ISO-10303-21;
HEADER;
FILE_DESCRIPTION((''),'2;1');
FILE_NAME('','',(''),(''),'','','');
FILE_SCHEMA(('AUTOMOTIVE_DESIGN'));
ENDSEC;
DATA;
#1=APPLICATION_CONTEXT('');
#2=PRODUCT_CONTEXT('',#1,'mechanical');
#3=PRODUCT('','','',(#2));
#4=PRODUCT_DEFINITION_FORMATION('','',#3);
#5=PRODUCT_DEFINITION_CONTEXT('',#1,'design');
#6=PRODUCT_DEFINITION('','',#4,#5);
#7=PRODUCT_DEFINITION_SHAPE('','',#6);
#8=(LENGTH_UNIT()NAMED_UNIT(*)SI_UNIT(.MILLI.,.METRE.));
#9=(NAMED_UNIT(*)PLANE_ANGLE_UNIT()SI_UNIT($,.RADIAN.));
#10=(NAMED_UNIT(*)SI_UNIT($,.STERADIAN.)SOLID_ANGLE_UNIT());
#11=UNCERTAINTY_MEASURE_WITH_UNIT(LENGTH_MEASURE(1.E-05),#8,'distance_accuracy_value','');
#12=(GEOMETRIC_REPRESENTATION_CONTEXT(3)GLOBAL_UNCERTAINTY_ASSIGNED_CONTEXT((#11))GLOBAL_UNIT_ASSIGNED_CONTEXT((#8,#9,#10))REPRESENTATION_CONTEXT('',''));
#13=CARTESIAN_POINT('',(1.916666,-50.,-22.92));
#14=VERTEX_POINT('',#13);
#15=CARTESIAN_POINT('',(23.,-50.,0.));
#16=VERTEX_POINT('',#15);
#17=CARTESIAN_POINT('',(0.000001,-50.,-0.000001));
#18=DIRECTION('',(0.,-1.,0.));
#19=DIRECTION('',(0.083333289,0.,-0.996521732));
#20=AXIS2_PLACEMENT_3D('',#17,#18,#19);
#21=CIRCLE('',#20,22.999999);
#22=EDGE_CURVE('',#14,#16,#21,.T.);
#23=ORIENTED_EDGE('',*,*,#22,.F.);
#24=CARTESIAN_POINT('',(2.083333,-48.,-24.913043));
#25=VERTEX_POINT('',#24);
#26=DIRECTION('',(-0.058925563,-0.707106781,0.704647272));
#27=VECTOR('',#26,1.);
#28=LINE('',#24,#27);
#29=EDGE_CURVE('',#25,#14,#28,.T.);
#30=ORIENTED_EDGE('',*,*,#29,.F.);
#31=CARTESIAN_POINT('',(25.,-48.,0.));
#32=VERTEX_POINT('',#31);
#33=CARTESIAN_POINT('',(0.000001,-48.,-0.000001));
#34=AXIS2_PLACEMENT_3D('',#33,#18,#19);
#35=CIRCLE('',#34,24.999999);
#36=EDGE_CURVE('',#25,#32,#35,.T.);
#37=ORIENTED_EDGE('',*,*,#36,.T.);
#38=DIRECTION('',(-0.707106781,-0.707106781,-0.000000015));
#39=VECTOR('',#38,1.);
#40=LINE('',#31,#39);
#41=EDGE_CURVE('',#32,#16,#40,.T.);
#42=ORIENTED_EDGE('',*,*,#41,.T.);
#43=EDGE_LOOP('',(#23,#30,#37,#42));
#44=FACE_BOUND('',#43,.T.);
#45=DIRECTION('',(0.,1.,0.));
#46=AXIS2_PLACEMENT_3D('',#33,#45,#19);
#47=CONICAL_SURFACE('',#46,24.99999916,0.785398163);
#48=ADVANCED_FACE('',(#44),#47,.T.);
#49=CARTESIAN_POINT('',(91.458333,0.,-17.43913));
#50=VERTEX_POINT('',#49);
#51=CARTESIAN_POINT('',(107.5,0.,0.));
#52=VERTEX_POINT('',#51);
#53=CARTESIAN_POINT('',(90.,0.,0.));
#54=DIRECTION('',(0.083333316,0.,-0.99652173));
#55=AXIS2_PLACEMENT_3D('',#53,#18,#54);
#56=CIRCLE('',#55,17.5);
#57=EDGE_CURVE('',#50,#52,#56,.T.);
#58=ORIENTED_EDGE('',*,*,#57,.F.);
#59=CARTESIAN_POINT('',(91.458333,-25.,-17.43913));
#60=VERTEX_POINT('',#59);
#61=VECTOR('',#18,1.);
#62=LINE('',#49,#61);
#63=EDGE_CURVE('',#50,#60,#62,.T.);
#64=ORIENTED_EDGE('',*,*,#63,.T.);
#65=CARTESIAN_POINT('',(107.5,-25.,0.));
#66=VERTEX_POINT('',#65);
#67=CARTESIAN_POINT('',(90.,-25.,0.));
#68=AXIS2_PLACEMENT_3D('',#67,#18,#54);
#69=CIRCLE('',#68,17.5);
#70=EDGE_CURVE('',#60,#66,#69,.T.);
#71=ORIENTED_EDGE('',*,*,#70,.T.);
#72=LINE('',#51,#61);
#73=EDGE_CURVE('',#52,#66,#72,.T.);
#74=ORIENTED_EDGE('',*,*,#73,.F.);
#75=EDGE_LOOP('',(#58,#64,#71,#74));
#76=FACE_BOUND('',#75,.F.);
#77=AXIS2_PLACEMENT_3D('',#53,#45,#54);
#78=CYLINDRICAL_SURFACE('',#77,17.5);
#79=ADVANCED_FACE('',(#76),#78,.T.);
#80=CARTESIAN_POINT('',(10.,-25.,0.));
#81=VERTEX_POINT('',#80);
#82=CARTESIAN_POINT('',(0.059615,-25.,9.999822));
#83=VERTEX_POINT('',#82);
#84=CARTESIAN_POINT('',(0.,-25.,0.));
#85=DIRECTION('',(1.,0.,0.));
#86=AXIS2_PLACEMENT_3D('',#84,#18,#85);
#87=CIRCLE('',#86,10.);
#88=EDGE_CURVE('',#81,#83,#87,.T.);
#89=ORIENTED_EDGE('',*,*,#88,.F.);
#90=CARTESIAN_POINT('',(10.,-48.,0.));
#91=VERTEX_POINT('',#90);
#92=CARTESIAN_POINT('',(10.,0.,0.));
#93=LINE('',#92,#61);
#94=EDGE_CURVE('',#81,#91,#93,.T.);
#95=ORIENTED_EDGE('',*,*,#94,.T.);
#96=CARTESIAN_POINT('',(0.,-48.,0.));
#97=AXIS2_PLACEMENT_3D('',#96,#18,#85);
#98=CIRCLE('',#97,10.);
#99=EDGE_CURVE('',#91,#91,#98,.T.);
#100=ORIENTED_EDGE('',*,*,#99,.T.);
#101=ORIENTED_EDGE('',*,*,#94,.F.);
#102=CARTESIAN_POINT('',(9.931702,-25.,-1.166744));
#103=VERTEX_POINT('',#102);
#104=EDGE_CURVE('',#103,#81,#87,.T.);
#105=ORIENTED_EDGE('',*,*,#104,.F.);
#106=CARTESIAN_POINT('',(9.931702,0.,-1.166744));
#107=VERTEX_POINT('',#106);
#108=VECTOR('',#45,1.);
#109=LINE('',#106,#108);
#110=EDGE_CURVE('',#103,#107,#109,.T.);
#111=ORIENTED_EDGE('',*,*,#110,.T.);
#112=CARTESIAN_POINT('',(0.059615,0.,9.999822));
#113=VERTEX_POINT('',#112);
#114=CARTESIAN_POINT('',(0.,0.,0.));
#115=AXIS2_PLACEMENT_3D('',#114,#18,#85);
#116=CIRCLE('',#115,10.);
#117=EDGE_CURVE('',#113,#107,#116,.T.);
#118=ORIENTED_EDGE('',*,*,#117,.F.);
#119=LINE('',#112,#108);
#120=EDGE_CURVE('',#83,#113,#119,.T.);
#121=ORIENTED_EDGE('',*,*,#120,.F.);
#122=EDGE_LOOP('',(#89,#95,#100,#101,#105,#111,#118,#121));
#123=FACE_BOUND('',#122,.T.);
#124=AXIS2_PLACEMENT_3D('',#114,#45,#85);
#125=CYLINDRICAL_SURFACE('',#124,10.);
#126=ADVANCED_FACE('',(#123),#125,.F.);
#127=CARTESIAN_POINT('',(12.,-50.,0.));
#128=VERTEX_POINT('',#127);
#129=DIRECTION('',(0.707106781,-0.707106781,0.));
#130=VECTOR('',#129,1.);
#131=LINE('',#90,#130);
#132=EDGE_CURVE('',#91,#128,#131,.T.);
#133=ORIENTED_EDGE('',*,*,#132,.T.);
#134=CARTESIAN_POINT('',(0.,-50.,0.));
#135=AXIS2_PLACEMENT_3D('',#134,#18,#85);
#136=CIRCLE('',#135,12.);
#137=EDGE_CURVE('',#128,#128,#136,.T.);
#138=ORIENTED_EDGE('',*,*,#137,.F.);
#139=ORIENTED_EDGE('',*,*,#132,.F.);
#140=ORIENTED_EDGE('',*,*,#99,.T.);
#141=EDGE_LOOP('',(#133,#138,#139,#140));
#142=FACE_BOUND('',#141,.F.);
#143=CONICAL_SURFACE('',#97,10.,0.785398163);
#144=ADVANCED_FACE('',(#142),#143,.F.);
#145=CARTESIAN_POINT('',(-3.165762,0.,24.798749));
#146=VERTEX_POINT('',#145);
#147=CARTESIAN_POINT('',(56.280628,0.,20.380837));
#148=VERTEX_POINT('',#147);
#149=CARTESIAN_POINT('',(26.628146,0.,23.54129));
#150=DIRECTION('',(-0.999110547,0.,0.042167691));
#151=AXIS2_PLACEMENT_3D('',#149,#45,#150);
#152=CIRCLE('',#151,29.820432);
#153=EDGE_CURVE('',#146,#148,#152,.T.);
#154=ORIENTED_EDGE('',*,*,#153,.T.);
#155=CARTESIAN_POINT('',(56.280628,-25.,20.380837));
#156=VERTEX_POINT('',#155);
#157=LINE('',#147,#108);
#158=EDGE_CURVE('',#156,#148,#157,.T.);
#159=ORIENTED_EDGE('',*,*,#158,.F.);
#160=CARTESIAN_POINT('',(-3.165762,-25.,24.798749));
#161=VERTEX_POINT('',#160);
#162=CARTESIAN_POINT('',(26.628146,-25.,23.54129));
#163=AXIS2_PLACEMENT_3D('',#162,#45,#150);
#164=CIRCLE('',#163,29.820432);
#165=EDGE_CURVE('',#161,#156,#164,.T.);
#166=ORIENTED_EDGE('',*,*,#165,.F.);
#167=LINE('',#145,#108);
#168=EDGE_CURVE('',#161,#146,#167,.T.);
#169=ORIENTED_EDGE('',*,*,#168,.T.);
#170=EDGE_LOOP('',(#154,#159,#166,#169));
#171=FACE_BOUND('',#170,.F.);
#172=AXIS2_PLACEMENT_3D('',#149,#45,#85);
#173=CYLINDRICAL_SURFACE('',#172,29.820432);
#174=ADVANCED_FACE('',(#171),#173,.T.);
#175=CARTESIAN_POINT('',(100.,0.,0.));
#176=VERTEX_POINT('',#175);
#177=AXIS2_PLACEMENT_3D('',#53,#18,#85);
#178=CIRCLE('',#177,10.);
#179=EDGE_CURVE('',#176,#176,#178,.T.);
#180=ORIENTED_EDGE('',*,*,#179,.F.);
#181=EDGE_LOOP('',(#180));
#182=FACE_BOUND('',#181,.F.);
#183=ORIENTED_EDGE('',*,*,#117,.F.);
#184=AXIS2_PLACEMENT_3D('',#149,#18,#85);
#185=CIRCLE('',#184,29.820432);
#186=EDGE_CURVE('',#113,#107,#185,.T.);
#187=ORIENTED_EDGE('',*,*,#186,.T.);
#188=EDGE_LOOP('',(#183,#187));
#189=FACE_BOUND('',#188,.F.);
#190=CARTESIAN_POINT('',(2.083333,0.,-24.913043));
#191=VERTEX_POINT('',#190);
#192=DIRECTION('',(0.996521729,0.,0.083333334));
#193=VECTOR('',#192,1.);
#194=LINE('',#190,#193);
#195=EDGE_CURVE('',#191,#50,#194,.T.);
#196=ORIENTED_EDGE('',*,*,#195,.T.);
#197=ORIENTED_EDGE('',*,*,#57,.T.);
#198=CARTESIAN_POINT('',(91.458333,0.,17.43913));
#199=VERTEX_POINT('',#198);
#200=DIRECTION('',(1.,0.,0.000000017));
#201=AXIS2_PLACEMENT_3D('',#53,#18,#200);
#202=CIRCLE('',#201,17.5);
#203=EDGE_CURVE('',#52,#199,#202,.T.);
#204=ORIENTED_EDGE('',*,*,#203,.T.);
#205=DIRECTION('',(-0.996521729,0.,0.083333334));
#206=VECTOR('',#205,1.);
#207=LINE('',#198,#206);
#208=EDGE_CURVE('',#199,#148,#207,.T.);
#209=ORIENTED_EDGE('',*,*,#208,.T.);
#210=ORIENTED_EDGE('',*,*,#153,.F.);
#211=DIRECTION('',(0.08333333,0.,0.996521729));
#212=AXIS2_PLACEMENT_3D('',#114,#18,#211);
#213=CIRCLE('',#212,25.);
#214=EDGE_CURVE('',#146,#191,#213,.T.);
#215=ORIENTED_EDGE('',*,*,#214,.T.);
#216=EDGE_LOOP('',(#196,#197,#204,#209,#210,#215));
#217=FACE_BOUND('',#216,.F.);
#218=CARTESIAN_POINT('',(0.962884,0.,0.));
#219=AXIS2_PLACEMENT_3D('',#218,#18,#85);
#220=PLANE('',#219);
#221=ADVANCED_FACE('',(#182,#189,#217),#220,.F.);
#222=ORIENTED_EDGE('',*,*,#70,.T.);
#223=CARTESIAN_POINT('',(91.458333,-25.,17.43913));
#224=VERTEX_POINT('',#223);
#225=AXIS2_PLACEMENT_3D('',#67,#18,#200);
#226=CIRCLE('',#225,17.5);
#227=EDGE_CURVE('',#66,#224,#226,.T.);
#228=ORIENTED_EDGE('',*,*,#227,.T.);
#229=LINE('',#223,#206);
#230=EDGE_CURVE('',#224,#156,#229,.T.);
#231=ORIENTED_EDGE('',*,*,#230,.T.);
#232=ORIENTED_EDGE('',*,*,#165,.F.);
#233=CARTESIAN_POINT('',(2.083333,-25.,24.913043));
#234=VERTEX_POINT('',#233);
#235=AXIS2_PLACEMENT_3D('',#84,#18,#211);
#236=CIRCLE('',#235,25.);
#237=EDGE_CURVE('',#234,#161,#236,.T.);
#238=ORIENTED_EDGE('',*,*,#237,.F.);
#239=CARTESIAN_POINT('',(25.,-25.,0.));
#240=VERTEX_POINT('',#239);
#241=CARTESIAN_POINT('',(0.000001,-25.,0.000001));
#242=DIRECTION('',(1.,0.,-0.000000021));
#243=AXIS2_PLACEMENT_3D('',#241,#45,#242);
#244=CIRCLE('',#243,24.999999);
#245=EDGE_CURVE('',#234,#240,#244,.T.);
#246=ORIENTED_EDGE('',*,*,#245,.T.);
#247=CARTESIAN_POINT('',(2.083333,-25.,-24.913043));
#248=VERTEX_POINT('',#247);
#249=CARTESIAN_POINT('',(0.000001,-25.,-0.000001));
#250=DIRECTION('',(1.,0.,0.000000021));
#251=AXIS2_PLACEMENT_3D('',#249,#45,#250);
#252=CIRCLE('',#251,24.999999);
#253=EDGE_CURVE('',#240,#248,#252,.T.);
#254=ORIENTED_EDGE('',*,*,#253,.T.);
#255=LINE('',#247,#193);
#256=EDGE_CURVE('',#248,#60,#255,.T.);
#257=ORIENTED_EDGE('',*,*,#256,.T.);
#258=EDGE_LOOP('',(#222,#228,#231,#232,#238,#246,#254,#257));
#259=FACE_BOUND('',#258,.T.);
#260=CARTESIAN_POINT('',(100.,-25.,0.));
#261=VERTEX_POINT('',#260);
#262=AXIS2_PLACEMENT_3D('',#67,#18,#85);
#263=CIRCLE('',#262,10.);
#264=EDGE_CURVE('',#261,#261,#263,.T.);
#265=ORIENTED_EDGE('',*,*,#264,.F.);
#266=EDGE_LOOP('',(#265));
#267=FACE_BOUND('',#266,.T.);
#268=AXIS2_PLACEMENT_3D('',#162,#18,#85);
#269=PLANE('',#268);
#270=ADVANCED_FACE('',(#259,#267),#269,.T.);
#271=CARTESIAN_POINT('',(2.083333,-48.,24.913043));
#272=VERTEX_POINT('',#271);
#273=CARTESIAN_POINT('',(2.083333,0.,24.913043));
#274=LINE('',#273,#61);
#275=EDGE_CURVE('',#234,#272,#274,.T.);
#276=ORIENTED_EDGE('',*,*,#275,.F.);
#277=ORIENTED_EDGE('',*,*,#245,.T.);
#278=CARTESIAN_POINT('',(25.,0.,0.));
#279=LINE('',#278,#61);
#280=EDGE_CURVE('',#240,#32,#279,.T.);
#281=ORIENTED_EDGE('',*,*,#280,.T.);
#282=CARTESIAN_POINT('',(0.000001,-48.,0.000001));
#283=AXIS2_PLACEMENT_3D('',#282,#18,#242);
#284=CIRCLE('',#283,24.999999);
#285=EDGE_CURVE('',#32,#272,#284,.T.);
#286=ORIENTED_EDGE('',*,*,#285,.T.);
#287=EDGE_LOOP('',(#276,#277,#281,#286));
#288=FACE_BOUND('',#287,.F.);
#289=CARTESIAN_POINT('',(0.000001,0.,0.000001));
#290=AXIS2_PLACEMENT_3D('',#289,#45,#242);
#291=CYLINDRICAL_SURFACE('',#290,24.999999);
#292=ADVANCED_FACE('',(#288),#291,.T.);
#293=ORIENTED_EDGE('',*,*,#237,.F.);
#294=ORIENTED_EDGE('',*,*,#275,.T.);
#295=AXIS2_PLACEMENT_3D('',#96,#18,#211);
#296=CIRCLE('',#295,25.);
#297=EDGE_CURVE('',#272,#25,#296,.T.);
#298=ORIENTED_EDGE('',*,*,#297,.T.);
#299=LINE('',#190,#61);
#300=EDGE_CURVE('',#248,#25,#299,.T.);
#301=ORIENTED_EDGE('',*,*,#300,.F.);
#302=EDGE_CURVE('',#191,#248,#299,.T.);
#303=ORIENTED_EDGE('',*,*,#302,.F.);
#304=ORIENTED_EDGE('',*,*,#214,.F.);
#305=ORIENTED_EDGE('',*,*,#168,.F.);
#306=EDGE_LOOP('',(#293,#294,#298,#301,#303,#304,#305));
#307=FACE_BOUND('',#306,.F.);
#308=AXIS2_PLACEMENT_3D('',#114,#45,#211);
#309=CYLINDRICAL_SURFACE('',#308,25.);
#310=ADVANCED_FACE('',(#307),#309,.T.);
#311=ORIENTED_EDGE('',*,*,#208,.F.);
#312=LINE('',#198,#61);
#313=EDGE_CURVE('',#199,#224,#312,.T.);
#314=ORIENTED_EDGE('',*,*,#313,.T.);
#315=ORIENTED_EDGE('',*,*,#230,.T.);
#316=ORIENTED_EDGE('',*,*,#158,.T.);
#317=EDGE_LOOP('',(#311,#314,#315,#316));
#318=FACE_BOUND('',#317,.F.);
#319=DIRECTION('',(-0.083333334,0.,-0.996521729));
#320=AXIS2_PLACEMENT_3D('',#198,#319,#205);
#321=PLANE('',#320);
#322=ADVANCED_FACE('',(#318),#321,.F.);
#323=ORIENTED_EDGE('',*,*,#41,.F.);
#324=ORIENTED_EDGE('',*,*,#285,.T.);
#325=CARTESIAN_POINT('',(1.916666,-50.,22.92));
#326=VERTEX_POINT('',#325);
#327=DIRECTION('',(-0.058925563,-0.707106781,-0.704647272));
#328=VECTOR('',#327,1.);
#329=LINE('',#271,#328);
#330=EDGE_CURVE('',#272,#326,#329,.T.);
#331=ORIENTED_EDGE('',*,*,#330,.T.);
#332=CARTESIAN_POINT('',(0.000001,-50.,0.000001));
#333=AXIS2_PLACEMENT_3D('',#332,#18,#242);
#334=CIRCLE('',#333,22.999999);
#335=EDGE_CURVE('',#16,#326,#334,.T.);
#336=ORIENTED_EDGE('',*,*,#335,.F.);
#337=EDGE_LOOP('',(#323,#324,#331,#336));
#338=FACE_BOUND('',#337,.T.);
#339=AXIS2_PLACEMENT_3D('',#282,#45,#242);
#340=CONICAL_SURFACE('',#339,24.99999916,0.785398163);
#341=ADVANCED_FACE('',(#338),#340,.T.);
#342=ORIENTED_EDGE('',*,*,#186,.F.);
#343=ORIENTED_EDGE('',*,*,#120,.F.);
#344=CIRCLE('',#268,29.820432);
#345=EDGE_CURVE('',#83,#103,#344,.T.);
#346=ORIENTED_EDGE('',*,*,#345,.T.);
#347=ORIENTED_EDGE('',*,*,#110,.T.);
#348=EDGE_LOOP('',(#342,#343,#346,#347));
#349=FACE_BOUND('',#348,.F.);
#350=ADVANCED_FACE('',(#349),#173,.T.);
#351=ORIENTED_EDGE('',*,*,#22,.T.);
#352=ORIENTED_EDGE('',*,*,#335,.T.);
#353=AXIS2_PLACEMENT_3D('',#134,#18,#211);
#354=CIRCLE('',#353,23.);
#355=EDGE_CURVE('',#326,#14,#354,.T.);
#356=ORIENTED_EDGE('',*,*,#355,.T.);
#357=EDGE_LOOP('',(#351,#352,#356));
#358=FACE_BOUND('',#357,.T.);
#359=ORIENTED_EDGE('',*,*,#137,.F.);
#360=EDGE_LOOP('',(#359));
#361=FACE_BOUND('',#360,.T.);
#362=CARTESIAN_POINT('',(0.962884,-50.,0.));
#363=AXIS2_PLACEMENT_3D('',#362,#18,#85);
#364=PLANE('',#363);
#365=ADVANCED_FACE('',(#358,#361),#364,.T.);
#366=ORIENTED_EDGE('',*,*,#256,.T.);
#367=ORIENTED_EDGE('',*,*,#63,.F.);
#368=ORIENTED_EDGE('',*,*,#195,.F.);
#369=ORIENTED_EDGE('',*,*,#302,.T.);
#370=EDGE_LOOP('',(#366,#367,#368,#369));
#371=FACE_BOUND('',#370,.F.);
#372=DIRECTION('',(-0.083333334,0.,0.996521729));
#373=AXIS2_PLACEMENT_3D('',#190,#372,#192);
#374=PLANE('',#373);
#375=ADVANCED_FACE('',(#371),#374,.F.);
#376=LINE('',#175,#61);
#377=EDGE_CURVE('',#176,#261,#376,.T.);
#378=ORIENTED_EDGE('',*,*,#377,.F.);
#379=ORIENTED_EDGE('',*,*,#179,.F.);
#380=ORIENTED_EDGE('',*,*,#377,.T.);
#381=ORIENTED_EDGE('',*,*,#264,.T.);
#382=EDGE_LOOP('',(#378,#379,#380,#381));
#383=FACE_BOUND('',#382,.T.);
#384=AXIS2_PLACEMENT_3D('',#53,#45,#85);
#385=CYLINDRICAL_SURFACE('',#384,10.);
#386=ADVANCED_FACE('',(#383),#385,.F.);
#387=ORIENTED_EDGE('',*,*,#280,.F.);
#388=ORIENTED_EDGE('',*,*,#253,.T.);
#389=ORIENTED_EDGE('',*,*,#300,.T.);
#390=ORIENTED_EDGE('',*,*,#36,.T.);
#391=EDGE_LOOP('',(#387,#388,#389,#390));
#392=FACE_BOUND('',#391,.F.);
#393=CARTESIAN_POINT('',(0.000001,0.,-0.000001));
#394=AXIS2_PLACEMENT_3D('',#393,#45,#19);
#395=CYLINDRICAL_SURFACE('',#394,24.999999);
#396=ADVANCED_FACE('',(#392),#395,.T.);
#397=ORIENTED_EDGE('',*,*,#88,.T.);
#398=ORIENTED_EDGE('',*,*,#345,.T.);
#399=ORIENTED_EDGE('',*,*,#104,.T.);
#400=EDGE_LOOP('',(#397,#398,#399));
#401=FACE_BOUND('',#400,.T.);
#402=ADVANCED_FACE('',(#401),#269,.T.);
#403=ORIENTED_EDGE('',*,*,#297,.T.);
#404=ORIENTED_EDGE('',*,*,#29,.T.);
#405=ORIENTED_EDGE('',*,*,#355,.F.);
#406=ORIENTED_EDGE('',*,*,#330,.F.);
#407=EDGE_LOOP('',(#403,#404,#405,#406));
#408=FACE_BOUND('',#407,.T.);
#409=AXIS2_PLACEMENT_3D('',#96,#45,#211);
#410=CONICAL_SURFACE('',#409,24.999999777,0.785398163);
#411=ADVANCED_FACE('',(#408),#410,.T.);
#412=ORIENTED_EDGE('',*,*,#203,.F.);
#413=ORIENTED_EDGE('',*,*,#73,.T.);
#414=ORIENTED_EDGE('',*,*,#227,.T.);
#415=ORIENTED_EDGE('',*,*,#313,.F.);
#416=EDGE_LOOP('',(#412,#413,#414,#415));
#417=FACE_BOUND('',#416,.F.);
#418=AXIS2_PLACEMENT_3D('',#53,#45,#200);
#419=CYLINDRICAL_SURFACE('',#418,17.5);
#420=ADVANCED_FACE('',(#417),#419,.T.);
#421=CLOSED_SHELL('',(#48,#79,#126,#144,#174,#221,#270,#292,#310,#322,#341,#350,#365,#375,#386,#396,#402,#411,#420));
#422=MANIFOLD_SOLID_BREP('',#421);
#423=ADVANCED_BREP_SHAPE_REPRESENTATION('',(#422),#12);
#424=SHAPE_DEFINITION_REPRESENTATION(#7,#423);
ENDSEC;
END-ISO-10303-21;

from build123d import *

# Parameters (mm, degrees)
F0_R     = 10
F1_DEPTH = 25
F2_DEPTH = 50
F3_SIZE  = 2
F5_R     = 29.820432
F6_DEPTH = 25


with BuildPart() as f1:
    # F0 (on Front) → F1 (new body)
    with BuildSketch(Plane.XZ):
        with BuildLine():
            ThreePointArc((2.083333, -24.913043), (18.399502, -16.92508), (25, 0))
            ThreePointArc((25, 0), (18.399502, 16.92508), (2.083333, 24.913043))
            ThreePointArc((2.083333, 24.913043), (-25, 0), (2.083333, -24.913043))
        make_face()
        Circle(F0_R, mode=Mode.SUBTRACT)
        with BuildLine():
            ThreePointArc((2.083333, 24.913043), (18.399502, 16.92508), (25, 0))
            ThreePointArc((25, 0), (18.399502, -16.92508), (2.083333, -24.913043))
            Line((2.083333, -24.913043), (91.458333, -17.43913))
            ThreePointArc((91.458333, -17.43913), (72.5, 0), (91.458333, 17.43913))
            Line((91.458333, 17.43913), (2.083333, 24.913043))
        make_face()
        with BuildLine():
            ThreePointArc((107.5, 0), (102.879651, 11.847556), (91.458333, 17.43913))
            ThreePointArc((91.458333, 17.43913), (72.5, 0), (91.458333, -17.43913))
            ThreePointArc((91.458333, -17.43913), (102.879651, -11.847556), (107.5, 0))
        make_face()
        with Locations((90, 0)):
            Circle(F0_R, mode=Mode.SUBTRACT)
    extrude(amount=F1_DEPTH)

    # F0 (on Front) → F2 (join)
    with BuildSketch(Plane.XZ):
        with BuildLine():
            ThreePointArc((2.083333, -24.913043), (18.399502, -16.92508), (25, 0))
            ThreePointArc((25, 0), (18.399502, 16.92508), (2.083333, 24.913043))
            ThreePointArc((2.083333, 24.913043), (-25, 0), (2.083333, -24.913043))
        make_face()
        Circle(F0_R, mode=Mode.SUBTRACT)
    extrude(amount=F2_DEPTH)

    # F3
    f3_edges = [f1.edges().sort_by_distance(p)[0] for p in [
        (-2.083333, -50, 24.913043),
        (-10, -50, 0),
        (80, -25, 0),
    ]]
    chamfer(f3_edges, length=F3_SIZE)

    # F0 (on Front) + F5 (on face) → F6 (join)
    with BuildSketch(Plane.XZ):
        with BuildLine():
            ThreePointArc((2.083333, -24.913043), (18.399502, -16.92508), (25, 0))
            ThreePointArc((25, 0), (18.399502, 16.92508), (2.083333, 24.913043))
            ThreePointArc((2.083333, 24.913043), (-25, 0), (2.083333, -24.913043))
        make_face()
        Circle(F0_R, mode=Mode.SUBTRACT)
        with BuildLine():
            ThreePointArc((2.083333, 24.913043), (18.399502, 16.92508), (25, 0))
            ThreePointArc((25, 0), (18.399502, -16.92508), (2.083333, -24.913043))
            Line((2.083333, -24.913043), (91.458333, -17.43913))
            ThreePointArc((91.458333, -17.43913), (72.5, 0), (91.458333, 17.43913))
            Line((91.458333, 17.43913), (2.083333, 24.913043))
        make_face()
        with BuildLine():
            ThreePointArc((107.5, 0), (102.879651, 11.847556), (91.458333, 17.43913))
            ThreePointArc((91.458333, 17.43913), (72.5, 0), (91.458333, -17.43913))
            ThreePointArc((91.458333, -17.43913), (102.879651, -11.847556), (107.5, 0))
        make_face()
        with Locations((90, 0)):
            Circle(F0_R, mode=Mode.SUBTRACT)
    with BuildSketch(Plane.XZ):
        with Locations((26.628146, 23.54129)):
            Circle(F5_R)
    extrude(amount=F6_DEPTH)


solid = f1.part
